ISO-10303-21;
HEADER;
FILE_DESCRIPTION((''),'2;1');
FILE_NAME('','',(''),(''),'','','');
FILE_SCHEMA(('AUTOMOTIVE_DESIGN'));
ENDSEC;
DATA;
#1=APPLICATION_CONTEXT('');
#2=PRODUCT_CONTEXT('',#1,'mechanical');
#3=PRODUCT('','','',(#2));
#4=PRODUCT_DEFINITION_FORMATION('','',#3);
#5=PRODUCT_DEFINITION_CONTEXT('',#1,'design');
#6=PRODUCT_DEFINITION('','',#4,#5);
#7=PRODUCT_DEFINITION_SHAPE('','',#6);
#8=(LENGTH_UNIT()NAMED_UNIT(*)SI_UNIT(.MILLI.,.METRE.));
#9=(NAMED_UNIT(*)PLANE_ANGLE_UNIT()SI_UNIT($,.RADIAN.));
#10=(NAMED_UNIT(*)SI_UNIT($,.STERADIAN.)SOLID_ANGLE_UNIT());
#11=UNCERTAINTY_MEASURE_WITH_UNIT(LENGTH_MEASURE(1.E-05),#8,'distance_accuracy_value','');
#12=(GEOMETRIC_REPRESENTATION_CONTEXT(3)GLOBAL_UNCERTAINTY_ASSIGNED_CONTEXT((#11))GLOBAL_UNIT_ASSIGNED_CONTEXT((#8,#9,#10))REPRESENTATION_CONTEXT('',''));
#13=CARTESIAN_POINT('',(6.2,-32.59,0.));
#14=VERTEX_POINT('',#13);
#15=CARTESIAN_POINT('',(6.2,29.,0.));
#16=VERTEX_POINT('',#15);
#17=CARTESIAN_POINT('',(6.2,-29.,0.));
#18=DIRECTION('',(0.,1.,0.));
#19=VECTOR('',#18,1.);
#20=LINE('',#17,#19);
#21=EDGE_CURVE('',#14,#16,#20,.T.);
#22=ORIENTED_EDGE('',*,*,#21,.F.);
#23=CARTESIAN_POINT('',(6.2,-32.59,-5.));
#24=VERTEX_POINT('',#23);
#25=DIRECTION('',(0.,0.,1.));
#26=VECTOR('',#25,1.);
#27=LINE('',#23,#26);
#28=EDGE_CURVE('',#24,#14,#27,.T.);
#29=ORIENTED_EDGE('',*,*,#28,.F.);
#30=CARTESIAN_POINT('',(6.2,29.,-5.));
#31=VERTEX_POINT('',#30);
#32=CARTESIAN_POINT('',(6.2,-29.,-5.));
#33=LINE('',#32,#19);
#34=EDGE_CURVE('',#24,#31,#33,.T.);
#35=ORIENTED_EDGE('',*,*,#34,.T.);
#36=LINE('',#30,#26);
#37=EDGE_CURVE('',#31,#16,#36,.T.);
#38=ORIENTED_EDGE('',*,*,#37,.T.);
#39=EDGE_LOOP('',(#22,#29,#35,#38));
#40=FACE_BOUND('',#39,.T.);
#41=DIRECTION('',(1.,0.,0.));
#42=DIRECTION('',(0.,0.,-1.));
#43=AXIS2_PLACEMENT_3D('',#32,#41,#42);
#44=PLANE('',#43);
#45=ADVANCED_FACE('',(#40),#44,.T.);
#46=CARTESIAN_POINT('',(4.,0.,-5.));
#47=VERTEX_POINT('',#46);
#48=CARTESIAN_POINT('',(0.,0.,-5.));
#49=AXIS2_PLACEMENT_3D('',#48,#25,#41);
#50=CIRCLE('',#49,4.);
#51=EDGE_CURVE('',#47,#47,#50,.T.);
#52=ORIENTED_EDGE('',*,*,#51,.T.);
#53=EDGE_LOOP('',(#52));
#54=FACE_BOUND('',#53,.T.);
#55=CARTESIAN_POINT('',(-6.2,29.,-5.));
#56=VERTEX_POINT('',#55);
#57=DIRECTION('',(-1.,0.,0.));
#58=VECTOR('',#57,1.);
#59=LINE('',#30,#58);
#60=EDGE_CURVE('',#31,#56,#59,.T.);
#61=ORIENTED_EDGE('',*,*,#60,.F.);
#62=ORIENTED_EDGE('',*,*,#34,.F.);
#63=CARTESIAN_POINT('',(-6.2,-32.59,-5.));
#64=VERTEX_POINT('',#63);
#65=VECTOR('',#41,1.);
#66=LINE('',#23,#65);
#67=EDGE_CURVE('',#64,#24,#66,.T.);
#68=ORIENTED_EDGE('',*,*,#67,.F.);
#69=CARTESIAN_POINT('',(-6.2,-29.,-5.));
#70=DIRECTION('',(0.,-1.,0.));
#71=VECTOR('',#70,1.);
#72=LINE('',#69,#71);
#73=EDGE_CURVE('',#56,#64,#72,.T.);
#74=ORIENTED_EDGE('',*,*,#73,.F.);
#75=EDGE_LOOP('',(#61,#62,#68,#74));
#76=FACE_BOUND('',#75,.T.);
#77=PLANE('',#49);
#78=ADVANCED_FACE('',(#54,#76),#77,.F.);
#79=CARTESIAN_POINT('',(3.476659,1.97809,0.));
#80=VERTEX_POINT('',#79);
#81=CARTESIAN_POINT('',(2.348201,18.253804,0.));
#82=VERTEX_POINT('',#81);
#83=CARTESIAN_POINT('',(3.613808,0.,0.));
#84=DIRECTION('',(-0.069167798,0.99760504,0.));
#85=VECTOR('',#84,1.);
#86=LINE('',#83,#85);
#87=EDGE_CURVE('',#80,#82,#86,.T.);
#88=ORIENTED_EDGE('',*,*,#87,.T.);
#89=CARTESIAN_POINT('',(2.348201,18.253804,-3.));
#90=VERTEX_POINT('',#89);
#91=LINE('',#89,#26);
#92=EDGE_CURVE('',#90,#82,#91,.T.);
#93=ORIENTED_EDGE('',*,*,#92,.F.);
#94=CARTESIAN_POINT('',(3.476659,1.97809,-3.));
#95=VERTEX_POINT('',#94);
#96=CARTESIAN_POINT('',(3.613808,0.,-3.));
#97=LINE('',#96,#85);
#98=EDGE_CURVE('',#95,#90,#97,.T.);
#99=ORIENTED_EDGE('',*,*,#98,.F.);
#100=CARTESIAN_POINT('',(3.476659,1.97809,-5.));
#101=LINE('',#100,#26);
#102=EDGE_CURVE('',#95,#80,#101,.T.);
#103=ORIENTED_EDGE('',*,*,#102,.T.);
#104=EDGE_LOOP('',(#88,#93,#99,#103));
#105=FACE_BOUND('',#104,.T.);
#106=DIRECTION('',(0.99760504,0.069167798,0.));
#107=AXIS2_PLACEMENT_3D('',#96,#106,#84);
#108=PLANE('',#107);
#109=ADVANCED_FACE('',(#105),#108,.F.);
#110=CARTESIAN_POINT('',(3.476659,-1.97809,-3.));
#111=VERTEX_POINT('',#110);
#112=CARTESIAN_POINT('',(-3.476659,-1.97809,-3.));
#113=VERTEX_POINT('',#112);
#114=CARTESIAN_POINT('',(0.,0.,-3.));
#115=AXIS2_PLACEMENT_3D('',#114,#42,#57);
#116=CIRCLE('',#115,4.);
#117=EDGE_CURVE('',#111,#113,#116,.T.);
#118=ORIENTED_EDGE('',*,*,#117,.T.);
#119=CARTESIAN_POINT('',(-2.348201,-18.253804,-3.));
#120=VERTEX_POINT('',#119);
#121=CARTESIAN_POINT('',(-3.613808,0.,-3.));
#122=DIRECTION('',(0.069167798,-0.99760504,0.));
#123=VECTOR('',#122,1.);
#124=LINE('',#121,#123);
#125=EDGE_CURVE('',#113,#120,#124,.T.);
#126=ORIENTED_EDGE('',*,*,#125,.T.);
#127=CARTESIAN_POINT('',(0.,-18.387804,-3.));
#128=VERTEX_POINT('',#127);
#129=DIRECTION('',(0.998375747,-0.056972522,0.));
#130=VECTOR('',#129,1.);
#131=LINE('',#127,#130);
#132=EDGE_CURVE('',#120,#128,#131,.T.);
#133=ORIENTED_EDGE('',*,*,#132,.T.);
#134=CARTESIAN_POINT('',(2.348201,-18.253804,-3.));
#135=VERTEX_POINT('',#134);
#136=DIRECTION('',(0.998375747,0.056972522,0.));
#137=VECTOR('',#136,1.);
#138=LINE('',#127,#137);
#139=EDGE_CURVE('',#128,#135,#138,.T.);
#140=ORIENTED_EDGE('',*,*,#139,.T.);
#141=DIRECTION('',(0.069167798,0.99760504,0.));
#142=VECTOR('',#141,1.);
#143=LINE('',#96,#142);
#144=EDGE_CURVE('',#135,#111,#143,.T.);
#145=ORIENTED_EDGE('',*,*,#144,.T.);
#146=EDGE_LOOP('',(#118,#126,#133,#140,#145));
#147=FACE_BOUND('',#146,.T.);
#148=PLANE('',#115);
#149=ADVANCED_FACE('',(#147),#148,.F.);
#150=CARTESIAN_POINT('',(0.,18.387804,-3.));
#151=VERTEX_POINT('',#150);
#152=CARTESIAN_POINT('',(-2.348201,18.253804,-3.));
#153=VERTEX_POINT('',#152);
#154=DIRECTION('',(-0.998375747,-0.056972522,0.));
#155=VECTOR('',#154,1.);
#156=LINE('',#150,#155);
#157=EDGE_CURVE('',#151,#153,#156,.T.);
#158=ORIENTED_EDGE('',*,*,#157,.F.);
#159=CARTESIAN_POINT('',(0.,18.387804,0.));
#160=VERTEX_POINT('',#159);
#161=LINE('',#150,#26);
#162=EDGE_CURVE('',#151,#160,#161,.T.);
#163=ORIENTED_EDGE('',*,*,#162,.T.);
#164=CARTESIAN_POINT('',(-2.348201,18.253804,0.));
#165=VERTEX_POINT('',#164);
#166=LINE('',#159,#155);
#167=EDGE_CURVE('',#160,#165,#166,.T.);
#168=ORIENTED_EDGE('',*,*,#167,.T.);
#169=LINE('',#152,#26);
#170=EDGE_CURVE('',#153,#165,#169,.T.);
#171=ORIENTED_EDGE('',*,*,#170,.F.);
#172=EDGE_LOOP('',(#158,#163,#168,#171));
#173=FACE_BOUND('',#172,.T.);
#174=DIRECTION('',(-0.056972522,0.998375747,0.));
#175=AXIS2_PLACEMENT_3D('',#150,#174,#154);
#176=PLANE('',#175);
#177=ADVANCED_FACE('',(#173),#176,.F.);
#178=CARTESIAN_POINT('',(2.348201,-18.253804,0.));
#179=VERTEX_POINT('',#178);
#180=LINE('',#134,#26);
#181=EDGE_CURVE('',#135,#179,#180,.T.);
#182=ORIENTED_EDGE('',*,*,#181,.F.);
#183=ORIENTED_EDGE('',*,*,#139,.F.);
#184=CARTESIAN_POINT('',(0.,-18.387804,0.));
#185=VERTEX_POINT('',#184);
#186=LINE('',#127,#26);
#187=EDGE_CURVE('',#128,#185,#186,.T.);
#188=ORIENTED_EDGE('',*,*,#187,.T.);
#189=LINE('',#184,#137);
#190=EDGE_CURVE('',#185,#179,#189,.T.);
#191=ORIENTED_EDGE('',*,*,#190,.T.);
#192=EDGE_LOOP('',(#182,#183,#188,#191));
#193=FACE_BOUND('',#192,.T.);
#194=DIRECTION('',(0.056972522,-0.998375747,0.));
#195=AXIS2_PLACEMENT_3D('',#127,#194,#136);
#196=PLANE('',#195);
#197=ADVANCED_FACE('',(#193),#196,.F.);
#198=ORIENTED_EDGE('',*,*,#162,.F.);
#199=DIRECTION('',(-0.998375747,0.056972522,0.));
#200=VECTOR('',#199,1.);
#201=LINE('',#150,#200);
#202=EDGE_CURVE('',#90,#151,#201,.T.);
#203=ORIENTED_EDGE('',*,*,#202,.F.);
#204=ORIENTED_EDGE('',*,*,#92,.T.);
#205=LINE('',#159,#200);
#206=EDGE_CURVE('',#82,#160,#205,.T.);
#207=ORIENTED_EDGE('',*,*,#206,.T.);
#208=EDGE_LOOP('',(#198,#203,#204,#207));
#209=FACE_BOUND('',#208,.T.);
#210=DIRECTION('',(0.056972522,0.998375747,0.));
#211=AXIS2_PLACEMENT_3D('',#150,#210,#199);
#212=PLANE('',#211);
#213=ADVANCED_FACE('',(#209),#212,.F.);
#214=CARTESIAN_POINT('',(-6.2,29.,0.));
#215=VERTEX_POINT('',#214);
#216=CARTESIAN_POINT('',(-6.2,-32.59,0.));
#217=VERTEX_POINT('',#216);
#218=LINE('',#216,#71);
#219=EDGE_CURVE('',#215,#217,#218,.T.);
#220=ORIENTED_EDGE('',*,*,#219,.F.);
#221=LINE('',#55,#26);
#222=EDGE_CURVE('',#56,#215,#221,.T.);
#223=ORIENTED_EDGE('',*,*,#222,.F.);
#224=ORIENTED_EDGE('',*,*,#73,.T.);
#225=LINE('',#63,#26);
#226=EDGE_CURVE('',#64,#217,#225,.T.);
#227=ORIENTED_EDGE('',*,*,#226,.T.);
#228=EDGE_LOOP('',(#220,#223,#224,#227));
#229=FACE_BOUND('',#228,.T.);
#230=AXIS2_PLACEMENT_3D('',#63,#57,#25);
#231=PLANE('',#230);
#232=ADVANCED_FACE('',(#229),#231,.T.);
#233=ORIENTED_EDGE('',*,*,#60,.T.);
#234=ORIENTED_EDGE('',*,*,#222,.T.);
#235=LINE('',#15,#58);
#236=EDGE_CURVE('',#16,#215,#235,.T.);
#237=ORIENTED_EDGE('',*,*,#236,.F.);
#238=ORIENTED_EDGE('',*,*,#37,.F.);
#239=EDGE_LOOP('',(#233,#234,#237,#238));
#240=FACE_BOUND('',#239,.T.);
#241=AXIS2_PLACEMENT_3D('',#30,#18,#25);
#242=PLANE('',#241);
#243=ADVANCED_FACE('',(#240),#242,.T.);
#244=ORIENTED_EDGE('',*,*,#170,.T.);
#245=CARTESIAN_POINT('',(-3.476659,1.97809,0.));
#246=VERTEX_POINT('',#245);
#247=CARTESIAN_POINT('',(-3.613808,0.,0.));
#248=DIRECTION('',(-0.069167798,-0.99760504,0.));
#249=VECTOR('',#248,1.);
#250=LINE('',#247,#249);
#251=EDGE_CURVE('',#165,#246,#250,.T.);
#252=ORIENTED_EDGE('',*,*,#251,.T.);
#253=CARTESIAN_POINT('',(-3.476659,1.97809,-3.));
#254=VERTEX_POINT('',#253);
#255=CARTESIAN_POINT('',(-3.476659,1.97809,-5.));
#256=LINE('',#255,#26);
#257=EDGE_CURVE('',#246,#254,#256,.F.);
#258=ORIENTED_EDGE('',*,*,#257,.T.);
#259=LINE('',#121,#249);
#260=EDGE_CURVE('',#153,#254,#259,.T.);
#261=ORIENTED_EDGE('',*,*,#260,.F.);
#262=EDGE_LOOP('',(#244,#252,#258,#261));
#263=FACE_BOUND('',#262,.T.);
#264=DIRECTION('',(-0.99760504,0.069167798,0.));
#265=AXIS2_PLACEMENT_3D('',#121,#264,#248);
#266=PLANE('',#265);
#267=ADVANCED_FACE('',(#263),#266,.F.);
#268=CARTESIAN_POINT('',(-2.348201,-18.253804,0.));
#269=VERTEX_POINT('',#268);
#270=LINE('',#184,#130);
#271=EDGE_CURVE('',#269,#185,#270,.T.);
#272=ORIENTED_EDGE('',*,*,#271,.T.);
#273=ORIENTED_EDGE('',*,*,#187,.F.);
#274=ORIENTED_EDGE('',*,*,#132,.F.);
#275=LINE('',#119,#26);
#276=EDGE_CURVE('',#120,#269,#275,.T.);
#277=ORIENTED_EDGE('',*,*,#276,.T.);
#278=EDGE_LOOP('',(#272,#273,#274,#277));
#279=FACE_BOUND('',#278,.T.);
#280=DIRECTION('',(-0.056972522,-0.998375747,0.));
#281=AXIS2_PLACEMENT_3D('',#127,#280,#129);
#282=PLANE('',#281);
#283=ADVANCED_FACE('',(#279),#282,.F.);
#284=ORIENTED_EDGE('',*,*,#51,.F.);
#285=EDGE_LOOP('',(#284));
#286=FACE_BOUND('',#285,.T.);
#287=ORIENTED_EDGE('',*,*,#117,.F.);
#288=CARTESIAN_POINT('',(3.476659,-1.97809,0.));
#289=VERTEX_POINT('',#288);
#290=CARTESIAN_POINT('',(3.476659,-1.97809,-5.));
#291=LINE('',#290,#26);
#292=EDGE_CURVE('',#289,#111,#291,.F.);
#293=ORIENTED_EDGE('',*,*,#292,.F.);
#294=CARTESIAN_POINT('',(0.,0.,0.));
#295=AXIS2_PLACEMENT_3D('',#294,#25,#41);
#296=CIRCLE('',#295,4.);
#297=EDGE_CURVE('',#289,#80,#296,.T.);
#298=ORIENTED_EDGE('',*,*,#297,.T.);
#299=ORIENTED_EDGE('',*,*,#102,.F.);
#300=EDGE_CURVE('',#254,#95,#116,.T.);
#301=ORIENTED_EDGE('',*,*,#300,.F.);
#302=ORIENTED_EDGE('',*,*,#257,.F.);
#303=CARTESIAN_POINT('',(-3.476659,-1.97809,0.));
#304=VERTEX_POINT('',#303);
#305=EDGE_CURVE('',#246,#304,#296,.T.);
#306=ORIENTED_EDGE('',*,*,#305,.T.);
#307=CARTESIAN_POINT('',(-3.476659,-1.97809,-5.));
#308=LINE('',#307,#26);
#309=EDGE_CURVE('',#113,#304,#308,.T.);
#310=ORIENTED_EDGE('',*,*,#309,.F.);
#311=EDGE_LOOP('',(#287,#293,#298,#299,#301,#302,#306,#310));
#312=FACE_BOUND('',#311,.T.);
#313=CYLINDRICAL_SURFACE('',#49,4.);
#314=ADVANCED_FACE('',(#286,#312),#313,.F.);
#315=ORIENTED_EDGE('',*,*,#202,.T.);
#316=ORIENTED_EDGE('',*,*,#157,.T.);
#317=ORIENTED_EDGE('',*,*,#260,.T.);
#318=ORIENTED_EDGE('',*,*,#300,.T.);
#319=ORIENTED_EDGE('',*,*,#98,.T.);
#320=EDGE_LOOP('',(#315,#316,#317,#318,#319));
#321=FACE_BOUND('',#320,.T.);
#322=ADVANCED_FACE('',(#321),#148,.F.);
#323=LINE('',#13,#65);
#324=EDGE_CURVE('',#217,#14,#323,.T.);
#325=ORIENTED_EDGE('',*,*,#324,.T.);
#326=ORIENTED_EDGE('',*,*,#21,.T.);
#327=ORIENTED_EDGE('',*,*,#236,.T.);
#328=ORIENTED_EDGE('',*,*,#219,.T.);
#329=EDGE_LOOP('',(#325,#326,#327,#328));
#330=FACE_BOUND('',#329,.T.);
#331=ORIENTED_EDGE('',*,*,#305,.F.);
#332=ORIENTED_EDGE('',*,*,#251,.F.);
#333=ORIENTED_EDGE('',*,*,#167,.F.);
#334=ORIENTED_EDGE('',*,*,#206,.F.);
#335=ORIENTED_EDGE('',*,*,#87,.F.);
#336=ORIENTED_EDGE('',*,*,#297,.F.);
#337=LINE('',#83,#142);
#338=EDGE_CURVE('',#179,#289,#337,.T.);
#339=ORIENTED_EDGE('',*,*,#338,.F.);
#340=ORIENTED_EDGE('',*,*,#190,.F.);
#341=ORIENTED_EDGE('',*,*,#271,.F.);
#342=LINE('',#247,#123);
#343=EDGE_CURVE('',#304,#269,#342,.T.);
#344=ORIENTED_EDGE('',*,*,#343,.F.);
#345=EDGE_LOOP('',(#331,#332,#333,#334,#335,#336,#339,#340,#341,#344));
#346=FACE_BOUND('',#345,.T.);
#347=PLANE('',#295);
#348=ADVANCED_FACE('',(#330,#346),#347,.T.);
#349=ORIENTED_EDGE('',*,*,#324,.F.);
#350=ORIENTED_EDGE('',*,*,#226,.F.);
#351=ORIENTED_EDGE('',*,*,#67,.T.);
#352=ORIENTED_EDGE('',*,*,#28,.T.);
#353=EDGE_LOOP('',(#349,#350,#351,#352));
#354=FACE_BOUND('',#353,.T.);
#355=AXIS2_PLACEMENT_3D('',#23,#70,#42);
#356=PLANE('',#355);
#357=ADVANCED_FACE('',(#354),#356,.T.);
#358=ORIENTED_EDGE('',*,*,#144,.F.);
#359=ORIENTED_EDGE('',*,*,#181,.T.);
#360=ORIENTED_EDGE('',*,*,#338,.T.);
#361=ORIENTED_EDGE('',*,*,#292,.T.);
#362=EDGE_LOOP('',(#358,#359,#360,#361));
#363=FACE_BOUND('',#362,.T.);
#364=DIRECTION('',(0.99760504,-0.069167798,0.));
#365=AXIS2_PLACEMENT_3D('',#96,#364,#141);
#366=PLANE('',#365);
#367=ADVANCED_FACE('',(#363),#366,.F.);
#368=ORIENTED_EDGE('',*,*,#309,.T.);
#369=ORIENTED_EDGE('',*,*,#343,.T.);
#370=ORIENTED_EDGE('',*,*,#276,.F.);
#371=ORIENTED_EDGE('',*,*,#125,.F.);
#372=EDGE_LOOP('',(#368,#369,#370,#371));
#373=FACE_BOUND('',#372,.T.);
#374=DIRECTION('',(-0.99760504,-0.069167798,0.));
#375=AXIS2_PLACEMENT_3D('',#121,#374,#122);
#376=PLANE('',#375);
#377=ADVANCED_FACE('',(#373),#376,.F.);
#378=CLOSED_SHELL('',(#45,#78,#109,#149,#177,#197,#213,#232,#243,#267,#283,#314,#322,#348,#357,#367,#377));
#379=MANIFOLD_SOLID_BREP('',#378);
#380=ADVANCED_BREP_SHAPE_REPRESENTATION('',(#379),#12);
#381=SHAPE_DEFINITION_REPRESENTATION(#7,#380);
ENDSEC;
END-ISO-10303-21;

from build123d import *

# Parameters (mm, degrees)
BOSS_EXTRUDE1_DEPTH = 5
CUT_EXTRUDE1_DEPTH  = 3
SKETCH4_R           = 4
CUT_EXTRUDE2_DEPTH  = 5


with BuildPart() as part:
    # Sketch1 → Boss-Extrude1 (new body)
    with BuildSketch(Plane.XY):
        Polygon((6.2, -29), (6.2, -32.59), (-6.2, -32.59), (-6.2, -29), (-6.2, 29), (6.2, 29), align=None)
    extrude(amount=-BOSS_EXTRUDE1_DEPTH)

    # Sketch2 → Cut-Extrude1 (cut)
    with BuildSketch(Plane.XY):
        Polygon((-3.613807992, 0), (-2.3482015, 18.253803872), (0, 18.387804485), (2.3482015, 18.253803872), (3.613807992, 0), (2.3482015, -18.253803872), (0, -18.387804485), (-2.3482015, -18.253803872), align=None)
    extrude(amount=-CUT_EXTRUDE1_DEPTH, mode=Mode.SUBTRACT)

    # Sketch4 → Cut-Extrude2 (cut)
    with BuildSketch(Plane.XY):
        Circle(SKETCH4_R)
    extrude(amount=-CUT_EXTRUDE2_DEPTH, mode=Mode.SUBTRACT)


solid = part.part
